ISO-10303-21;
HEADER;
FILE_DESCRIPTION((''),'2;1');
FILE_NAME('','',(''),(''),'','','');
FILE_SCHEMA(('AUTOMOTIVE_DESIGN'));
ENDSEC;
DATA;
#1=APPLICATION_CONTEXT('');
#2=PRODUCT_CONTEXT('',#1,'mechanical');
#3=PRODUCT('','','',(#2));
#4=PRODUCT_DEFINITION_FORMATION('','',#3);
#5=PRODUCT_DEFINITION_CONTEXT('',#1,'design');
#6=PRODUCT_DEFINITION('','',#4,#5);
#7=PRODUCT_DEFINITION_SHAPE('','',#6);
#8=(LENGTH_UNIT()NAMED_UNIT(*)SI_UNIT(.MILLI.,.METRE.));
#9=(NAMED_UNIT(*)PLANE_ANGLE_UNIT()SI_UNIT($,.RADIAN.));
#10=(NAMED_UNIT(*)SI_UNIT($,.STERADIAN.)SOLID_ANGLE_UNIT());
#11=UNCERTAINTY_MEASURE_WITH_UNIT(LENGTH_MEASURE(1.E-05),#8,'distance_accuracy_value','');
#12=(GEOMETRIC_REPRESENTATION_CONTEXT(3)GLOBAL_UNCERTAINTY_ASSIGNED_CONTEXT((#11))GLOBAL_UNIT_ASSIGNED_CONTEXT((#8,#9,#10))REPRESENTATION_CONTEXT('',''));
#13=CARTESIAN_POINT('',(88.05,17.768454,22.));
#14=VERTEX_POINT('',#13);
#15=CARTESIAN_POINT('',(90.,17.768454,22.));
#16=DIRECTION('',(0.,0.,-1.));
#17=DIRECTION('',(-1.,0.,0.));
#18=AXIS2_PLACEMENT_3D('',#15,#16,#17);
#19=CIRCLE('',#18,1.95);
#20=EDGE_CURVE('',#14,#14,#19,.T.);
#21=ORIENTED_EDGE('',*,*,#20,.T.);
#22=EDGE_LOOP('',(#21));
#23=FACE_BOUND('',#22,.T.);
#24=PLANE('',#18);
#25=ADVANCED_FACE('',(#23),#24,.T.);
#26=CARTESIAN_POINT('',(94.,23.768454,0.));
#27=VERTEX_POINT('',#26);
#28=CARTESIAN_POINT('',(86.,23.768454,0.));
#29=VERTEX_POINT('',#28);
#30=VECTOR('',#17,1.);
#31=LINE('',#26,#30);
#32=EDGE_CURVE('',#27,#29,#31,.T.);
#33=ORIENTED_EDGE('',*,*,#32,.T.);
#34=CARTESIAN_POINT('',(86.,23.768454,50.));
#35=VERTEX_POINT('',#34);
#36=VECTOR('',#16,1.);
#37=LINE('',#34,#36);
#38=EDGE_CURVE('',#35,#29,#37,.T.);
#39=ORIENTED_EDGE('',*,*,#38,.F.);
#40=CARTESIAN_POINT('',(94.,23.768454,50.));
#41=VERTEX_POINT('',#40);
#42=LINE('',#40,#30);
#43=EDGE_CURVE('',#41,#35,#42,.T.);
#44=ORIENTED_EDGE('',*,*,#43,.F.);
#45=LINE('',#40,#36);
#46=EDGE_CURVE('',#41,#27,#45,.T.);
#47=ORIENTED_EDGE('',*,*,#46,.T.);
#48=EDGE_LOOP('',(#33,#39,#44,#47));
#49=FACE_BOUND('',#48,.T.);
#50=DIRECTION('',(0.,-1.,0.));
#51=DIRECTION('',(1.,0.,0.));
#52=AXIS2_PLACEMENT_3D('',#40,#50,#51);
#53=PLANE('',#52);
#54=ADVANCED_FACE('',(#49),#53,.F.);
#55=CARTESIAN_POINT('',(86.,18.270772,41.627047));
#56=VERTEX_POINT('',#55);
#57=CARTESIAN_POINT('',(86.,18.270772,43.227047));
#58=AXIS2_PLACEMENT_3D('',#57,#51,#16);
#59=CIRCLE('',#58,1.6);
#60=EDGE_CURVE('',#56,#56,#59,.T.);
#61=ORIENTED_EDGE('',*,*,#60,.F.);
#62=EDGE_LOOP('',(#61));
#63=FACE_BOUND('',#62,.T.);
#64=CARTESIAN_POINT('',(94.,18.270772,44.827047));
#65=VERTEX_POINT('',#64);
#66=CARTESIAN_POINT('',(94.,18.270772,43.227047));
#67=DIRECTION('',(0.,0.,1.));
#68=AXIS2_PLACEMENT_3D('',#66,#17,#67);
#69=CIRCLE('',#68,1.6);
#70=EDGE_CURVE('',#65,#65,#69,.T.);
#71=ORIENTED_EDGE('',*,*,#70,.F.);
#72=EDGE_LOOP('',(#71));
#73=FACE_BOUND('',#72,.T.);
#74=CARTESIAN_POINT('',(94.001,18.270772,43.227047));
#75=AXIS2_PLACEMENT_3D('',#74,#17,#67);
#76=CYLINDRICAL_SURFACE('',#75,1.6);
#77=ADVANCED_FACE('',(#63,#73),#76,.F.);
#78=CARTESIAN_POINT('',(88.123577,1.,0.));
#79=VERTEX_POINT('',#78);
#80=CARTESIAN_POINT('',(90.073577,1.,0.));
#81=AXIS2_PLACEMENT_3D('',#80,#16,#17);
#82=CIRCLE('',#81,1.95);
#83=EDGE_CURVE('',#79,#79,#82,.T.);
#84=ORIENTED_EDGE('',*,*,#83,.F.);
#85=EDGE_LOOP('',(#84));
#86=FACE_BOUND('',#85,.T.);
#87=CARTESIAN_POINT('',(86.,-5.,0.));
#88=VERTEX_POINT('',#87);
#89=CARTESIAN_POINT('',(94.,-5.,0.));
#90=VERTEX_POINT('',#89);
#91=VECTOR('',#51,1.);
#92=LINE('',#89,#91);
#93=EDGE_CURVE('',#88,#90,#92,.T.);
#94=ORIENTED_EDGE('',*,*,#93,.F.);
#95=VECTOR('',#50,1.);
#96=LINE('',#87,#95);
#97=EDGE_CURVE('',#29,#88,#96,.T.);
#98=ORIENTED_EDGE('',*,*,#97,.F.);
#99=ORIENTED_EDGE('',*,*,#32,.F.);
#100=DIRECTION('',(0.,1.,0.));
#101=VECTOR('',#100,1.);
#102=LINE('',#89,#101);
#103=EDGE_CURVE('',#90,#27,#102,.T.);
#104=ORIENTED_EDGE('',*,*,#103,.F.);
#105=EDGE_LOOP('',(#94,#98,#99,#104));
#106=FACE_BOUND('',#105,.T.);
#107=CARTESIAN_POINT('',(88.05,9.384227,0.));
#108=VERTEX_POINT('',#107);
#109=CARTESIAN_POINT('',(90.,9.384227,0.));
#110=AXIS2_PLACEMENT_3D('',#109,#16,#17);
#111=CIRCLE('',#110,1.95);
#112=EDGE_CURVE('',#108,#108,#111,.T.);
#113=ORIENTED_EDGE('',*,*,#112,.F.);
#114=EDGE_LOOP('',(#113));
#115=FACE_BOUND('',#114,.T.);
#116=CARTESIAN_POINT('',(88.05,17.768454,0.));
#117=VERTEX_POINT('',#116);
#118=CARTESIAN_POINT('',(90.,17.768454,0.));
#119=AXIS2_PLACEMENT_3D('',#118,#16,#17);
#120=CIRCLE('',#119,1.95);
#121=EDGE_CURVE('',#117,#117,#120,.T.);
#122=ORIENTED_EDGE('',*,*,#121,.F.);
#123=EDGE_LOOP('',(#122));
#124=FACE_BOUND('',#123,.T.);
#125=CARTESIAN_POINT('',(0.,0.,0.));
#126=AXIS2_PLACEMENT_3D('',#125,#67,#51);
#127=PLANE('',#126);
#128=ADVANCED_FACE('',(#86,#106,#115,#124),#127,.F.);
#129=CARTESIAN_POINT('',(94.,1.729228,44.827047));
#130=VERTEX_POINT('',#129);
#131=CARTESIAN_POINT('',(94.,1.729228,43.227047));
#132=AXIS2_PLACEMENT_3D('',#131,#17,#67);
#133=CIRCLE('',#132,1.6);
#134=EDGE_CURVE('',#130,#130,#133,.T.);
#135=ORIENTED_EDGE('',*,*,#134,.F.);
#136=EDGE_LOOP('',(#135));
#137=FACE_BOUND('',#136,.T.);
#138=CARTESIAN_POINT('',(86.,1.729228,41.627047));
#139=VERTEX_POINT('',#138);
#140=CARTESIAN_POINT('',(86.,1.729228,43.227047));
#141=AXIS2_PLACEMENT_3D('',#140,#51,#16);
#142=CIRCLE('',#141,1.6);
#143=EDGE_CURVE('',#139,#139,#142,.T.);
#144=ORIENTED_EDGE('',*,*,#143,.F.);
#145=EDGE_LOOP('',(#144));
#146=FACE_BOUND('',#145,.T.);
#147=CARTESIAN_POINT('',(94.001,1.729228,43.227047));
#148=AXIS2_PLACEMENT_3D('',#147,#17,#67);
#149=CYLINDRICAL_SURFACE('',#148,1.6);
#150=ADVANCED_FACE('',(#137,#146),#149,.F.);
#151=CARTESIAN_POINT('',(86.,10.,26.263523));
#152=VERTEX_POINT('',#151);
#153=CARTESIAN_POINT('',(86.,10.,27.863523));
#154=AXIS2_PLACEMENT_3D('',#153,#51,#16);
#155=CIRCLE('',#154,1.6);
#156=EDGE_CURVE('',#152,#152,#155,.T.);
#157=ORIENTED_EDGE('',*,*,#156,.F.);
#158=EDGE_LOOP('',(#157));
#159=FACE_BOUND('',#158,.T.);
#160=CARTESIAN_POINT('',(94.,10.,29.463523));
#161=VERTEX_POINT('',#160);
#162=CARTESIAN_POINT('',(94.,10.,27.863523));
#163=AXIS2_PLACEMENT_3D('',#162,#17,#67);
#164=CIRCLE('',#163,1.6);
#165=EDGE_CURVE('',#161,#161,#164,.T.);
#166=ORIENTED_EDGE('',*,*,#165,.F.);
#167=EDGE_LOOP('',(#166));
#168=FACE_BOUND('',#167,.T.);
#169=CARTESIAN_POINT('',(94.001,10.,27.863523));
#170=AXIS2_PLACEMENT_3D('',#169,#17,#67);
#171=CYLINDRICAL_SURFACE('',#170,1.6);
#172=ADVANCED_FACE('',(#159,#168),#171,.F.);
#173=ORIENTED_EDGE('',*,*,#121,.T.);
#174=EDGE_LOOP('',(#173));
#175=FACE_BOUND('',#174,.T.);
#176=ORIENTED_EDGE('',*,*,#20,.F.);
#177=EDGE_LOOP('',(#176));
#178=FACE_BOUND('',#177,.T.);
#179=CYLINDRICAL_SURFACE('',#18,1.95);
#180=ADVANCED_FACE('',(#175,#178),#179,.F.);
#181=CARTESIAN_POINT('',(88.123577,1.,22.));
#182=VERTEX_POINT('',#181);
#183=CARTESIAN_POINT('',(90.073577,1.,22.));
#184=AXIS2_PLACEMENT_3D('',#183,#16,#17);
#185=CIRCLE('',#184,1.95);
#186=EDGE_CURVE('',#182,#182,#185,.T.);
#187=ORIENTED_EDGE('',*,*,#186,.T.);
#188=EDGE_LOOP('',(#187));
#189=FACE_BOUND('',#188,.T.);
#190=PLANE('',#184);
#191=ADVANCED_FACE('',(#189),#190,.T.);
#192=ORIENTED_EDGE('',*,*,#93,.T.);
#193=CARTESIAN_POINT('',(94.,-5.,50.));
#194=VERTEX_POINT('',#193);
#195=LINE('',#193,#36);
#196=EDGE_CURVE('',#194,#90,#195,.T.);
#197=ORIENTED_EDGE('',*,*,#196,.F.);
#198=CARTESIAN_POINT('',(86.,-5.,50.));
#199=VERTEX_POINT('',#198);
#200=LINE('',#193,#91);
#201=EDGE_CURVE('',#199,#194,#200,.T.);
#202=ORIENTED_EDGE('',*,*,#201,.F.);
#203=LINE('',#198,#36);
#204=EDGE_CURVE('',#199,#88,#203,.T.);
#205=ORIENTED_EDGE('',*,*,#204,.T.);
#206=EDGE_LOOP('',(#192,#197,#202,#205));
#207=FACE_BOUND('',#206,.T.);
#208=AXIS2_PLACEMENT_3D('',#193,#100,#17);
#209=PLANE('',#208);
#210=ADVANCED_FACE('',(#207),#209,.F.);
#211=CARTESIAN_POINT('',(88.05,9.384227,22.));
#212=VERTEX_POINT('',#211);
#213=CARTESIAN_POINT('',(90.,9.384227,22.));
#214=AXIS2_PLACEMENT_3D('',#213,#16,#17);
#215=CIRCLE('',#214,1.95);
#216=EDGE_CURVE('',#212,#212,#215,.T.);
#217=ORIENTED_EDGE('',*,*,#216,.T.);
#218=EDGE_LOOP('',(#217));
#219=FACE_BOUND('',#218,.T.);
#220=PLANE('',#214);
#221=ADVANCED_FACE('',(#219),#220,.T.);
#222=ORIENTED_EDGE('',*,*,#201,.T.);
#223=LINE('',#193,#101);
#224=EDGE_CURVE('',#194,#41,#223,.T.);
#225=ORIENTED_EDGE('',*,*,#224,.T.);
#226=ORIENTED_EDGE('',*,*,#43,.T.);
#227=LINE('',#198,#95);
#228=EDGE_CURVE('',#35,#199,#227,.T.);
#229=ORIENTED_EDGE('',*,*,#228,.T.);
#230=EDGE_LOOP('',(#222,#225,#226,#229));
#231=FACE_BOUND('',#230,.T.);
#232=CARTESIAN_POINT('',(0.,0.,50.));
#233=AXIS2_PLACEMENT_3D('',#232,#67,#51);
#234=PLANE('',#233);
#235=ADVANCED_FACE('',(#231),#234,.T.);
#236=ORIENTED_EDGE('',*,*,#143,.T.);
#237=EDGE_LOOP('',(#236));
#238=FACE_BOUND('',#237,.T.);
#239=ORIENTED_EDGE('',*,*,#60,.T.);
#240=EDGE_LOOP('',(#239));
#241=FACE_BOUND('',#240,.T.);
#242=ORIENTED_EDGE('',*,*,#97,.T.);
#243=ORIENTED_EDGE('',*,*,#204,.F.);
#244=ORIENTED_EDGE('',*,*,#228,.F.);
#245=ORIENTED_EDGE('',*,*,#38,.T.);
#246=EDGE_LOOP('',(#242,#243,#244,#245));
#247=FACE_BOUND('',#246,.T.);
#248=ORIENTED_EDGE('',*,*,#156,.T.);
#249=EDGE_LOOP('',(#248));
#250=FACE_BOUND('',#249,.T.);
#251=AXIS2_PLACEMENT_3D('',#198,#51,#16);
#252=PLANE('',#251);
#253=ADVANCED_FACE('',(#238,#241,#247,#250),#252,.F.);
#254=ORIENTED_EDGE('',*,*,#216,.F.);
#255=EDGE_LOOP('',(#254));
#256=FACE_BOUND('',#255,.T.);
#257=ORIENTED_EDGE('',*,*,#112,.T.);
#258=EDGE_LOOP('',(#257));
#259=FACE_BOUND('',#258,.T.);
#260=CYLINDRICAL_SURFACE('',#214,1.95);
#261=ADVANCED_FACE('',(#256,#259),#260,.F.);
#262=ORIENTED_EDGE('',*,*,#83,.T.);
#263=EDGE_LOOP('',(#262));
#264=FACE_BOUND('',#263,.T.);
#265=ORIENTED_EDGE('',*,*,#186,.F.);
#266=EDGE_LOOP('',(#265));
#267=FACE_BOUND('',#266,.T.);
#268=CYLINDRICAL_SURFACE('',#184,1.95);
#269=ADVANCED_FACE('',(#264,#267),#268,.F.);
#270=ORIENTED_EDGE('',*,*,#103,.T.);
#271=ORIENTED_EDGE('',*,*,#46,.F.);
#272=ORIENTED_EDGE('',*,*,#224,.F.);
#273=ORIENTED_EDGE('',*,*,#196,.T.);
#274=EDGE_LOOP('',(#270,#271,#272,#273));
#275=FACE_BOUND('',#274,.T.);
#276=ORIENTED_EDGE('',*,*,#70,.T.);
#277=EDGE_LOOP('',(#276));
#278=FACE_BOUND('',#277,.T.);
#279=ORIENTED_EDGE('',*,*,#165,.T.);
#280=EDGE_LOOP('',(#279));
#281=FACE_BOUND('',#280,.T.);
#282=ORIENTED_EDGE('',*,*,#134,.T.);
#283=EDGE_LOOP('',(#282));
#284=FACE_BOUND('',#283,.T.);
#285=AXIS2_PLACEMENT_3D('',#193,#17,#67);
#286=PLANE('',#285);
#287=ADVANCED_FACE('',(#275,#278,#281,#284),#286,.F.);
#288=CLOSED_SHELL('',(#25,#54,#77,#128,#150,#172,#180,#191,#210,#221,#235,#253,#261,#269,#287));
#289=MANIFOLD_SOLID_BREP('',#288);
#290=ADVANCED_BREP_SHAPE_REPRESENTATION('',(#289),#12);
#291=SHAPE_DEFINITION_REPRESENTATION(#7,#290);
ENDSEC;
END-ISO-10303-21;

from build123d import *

# Parameters (mm, degrees)
CROQUIS1_W              = 8
CROQUIS1_H              = 28.768453788
SALIENTE_EXTRUIR1_DEPTH = 50
CORTAR_EXTRUIR1_REACH   = 10
CROQUIS3_R              = 1.6
CROQUIS4_R              = 1.95
CORTAR_EXTRUIR2_DEPTH   = 22


with BuildPart() as part:
    # Croquis1 → Saliente-Extruir1 (new body)
    with BuildSketch(Plane.XY):
        with Locations((90, 9.384226894)):
            Rectangle(CROQUIS1_W, CROQUIS1_H)
    extrude(amount=SALIENTE_EXTRUIR1_DEPTH)

    # Croquis3 → Cortar-Extruir1 (cut, up to next)
    with BuildSketch(Plane(origin=(86, 0, 0), x_dir=(0, 0, -1), z_dir=(1, 0, 0)), mode=Mode.PRIVATE) as cortar_extruir1_sk1:
        with Locations((-43.227046774, 1.729227937)):
            Circle(CROQUIS3_R)
    cortar_extruir1_tool1 = extrude(cortar_extruir1_sk1.sketch, amount=CORTAR_EXTRUIR1_REACH, mode=Mode.PRIVATE) & part.part
    add(cortar_extruir1_tool1.solids().sort_by_distance((86, 1.729228, 43.227047))[0], mode=Mode.SUBTRACT)
    # Croquis3 → Cortar-Extruir1 (cut, up to next)
    with BuildSketch(Plane(origin=(86, 0, 0), x_dir=(0, 0, -1), z_dir=(1, 0, 0)), mode=Mode.PRIVATE) as cortar_extruir1_sk2:
        with Locations((-27.863523387, 10)):
            Circle(CROQUIS3_R)
    cortar_extruir1_tool2 = extrude(cortar_extruir1_sk2.sketch, amount=CORTAR_EXTRUIR1_REACH, mode=Mode.PRIVATE) & part.part
    add(cortar_extruir1_tool2.solids().sort_by_distance((86, 10, 27.863523))[0], mode=Mode.SUBTRACT)
    # Croquis3 → Cortar-Extruir1 (cut, up to next)
    with BuildSketch(Plane(origin=(86, 0, 0), x_dir=(0, 0, -1), z_dir=(1, 0, 0)), mode=Mode.PRIVATE) as cortar_extruir1_sk3:
        with Locations((-43.227046774, 18.270772063)):
            Circle(CROQUIS3_R)
    cortar_extruir1_tool3 = extrude(cortar_extruir1_sk3.sketch, amount=CORTAR_EXTRUIR1_REACH, mode=Mode.PRIVATE) & part.part
    add(cortar_extruir1_tool3.solids().sort_by_distance((86, 18.270772, 43.227047))[0], mode=Mode.SUBTRACT)

    # Croquis4 → Cortar-Extruir2 (cut)
    with BuildSketch(Plane(origin=(0, 0, 0), x_dir=(-1, 0, 0), z_dir=(0, 0, -1))):
        with Locations((-90.073577236, 1)):
            Circle(CROQUIS4_R)
        with Locations((-90, 9.384226894)):
            Circle(CROQUIS4_R)
        with Locations((-90, 17.768453788)):
            Circle(CROQUIS4_R)
    extrude(amount=-CORTAR_EXTRUIR2_DEPTH, mode=Mode.SUBTRACT)


solid = part.part
